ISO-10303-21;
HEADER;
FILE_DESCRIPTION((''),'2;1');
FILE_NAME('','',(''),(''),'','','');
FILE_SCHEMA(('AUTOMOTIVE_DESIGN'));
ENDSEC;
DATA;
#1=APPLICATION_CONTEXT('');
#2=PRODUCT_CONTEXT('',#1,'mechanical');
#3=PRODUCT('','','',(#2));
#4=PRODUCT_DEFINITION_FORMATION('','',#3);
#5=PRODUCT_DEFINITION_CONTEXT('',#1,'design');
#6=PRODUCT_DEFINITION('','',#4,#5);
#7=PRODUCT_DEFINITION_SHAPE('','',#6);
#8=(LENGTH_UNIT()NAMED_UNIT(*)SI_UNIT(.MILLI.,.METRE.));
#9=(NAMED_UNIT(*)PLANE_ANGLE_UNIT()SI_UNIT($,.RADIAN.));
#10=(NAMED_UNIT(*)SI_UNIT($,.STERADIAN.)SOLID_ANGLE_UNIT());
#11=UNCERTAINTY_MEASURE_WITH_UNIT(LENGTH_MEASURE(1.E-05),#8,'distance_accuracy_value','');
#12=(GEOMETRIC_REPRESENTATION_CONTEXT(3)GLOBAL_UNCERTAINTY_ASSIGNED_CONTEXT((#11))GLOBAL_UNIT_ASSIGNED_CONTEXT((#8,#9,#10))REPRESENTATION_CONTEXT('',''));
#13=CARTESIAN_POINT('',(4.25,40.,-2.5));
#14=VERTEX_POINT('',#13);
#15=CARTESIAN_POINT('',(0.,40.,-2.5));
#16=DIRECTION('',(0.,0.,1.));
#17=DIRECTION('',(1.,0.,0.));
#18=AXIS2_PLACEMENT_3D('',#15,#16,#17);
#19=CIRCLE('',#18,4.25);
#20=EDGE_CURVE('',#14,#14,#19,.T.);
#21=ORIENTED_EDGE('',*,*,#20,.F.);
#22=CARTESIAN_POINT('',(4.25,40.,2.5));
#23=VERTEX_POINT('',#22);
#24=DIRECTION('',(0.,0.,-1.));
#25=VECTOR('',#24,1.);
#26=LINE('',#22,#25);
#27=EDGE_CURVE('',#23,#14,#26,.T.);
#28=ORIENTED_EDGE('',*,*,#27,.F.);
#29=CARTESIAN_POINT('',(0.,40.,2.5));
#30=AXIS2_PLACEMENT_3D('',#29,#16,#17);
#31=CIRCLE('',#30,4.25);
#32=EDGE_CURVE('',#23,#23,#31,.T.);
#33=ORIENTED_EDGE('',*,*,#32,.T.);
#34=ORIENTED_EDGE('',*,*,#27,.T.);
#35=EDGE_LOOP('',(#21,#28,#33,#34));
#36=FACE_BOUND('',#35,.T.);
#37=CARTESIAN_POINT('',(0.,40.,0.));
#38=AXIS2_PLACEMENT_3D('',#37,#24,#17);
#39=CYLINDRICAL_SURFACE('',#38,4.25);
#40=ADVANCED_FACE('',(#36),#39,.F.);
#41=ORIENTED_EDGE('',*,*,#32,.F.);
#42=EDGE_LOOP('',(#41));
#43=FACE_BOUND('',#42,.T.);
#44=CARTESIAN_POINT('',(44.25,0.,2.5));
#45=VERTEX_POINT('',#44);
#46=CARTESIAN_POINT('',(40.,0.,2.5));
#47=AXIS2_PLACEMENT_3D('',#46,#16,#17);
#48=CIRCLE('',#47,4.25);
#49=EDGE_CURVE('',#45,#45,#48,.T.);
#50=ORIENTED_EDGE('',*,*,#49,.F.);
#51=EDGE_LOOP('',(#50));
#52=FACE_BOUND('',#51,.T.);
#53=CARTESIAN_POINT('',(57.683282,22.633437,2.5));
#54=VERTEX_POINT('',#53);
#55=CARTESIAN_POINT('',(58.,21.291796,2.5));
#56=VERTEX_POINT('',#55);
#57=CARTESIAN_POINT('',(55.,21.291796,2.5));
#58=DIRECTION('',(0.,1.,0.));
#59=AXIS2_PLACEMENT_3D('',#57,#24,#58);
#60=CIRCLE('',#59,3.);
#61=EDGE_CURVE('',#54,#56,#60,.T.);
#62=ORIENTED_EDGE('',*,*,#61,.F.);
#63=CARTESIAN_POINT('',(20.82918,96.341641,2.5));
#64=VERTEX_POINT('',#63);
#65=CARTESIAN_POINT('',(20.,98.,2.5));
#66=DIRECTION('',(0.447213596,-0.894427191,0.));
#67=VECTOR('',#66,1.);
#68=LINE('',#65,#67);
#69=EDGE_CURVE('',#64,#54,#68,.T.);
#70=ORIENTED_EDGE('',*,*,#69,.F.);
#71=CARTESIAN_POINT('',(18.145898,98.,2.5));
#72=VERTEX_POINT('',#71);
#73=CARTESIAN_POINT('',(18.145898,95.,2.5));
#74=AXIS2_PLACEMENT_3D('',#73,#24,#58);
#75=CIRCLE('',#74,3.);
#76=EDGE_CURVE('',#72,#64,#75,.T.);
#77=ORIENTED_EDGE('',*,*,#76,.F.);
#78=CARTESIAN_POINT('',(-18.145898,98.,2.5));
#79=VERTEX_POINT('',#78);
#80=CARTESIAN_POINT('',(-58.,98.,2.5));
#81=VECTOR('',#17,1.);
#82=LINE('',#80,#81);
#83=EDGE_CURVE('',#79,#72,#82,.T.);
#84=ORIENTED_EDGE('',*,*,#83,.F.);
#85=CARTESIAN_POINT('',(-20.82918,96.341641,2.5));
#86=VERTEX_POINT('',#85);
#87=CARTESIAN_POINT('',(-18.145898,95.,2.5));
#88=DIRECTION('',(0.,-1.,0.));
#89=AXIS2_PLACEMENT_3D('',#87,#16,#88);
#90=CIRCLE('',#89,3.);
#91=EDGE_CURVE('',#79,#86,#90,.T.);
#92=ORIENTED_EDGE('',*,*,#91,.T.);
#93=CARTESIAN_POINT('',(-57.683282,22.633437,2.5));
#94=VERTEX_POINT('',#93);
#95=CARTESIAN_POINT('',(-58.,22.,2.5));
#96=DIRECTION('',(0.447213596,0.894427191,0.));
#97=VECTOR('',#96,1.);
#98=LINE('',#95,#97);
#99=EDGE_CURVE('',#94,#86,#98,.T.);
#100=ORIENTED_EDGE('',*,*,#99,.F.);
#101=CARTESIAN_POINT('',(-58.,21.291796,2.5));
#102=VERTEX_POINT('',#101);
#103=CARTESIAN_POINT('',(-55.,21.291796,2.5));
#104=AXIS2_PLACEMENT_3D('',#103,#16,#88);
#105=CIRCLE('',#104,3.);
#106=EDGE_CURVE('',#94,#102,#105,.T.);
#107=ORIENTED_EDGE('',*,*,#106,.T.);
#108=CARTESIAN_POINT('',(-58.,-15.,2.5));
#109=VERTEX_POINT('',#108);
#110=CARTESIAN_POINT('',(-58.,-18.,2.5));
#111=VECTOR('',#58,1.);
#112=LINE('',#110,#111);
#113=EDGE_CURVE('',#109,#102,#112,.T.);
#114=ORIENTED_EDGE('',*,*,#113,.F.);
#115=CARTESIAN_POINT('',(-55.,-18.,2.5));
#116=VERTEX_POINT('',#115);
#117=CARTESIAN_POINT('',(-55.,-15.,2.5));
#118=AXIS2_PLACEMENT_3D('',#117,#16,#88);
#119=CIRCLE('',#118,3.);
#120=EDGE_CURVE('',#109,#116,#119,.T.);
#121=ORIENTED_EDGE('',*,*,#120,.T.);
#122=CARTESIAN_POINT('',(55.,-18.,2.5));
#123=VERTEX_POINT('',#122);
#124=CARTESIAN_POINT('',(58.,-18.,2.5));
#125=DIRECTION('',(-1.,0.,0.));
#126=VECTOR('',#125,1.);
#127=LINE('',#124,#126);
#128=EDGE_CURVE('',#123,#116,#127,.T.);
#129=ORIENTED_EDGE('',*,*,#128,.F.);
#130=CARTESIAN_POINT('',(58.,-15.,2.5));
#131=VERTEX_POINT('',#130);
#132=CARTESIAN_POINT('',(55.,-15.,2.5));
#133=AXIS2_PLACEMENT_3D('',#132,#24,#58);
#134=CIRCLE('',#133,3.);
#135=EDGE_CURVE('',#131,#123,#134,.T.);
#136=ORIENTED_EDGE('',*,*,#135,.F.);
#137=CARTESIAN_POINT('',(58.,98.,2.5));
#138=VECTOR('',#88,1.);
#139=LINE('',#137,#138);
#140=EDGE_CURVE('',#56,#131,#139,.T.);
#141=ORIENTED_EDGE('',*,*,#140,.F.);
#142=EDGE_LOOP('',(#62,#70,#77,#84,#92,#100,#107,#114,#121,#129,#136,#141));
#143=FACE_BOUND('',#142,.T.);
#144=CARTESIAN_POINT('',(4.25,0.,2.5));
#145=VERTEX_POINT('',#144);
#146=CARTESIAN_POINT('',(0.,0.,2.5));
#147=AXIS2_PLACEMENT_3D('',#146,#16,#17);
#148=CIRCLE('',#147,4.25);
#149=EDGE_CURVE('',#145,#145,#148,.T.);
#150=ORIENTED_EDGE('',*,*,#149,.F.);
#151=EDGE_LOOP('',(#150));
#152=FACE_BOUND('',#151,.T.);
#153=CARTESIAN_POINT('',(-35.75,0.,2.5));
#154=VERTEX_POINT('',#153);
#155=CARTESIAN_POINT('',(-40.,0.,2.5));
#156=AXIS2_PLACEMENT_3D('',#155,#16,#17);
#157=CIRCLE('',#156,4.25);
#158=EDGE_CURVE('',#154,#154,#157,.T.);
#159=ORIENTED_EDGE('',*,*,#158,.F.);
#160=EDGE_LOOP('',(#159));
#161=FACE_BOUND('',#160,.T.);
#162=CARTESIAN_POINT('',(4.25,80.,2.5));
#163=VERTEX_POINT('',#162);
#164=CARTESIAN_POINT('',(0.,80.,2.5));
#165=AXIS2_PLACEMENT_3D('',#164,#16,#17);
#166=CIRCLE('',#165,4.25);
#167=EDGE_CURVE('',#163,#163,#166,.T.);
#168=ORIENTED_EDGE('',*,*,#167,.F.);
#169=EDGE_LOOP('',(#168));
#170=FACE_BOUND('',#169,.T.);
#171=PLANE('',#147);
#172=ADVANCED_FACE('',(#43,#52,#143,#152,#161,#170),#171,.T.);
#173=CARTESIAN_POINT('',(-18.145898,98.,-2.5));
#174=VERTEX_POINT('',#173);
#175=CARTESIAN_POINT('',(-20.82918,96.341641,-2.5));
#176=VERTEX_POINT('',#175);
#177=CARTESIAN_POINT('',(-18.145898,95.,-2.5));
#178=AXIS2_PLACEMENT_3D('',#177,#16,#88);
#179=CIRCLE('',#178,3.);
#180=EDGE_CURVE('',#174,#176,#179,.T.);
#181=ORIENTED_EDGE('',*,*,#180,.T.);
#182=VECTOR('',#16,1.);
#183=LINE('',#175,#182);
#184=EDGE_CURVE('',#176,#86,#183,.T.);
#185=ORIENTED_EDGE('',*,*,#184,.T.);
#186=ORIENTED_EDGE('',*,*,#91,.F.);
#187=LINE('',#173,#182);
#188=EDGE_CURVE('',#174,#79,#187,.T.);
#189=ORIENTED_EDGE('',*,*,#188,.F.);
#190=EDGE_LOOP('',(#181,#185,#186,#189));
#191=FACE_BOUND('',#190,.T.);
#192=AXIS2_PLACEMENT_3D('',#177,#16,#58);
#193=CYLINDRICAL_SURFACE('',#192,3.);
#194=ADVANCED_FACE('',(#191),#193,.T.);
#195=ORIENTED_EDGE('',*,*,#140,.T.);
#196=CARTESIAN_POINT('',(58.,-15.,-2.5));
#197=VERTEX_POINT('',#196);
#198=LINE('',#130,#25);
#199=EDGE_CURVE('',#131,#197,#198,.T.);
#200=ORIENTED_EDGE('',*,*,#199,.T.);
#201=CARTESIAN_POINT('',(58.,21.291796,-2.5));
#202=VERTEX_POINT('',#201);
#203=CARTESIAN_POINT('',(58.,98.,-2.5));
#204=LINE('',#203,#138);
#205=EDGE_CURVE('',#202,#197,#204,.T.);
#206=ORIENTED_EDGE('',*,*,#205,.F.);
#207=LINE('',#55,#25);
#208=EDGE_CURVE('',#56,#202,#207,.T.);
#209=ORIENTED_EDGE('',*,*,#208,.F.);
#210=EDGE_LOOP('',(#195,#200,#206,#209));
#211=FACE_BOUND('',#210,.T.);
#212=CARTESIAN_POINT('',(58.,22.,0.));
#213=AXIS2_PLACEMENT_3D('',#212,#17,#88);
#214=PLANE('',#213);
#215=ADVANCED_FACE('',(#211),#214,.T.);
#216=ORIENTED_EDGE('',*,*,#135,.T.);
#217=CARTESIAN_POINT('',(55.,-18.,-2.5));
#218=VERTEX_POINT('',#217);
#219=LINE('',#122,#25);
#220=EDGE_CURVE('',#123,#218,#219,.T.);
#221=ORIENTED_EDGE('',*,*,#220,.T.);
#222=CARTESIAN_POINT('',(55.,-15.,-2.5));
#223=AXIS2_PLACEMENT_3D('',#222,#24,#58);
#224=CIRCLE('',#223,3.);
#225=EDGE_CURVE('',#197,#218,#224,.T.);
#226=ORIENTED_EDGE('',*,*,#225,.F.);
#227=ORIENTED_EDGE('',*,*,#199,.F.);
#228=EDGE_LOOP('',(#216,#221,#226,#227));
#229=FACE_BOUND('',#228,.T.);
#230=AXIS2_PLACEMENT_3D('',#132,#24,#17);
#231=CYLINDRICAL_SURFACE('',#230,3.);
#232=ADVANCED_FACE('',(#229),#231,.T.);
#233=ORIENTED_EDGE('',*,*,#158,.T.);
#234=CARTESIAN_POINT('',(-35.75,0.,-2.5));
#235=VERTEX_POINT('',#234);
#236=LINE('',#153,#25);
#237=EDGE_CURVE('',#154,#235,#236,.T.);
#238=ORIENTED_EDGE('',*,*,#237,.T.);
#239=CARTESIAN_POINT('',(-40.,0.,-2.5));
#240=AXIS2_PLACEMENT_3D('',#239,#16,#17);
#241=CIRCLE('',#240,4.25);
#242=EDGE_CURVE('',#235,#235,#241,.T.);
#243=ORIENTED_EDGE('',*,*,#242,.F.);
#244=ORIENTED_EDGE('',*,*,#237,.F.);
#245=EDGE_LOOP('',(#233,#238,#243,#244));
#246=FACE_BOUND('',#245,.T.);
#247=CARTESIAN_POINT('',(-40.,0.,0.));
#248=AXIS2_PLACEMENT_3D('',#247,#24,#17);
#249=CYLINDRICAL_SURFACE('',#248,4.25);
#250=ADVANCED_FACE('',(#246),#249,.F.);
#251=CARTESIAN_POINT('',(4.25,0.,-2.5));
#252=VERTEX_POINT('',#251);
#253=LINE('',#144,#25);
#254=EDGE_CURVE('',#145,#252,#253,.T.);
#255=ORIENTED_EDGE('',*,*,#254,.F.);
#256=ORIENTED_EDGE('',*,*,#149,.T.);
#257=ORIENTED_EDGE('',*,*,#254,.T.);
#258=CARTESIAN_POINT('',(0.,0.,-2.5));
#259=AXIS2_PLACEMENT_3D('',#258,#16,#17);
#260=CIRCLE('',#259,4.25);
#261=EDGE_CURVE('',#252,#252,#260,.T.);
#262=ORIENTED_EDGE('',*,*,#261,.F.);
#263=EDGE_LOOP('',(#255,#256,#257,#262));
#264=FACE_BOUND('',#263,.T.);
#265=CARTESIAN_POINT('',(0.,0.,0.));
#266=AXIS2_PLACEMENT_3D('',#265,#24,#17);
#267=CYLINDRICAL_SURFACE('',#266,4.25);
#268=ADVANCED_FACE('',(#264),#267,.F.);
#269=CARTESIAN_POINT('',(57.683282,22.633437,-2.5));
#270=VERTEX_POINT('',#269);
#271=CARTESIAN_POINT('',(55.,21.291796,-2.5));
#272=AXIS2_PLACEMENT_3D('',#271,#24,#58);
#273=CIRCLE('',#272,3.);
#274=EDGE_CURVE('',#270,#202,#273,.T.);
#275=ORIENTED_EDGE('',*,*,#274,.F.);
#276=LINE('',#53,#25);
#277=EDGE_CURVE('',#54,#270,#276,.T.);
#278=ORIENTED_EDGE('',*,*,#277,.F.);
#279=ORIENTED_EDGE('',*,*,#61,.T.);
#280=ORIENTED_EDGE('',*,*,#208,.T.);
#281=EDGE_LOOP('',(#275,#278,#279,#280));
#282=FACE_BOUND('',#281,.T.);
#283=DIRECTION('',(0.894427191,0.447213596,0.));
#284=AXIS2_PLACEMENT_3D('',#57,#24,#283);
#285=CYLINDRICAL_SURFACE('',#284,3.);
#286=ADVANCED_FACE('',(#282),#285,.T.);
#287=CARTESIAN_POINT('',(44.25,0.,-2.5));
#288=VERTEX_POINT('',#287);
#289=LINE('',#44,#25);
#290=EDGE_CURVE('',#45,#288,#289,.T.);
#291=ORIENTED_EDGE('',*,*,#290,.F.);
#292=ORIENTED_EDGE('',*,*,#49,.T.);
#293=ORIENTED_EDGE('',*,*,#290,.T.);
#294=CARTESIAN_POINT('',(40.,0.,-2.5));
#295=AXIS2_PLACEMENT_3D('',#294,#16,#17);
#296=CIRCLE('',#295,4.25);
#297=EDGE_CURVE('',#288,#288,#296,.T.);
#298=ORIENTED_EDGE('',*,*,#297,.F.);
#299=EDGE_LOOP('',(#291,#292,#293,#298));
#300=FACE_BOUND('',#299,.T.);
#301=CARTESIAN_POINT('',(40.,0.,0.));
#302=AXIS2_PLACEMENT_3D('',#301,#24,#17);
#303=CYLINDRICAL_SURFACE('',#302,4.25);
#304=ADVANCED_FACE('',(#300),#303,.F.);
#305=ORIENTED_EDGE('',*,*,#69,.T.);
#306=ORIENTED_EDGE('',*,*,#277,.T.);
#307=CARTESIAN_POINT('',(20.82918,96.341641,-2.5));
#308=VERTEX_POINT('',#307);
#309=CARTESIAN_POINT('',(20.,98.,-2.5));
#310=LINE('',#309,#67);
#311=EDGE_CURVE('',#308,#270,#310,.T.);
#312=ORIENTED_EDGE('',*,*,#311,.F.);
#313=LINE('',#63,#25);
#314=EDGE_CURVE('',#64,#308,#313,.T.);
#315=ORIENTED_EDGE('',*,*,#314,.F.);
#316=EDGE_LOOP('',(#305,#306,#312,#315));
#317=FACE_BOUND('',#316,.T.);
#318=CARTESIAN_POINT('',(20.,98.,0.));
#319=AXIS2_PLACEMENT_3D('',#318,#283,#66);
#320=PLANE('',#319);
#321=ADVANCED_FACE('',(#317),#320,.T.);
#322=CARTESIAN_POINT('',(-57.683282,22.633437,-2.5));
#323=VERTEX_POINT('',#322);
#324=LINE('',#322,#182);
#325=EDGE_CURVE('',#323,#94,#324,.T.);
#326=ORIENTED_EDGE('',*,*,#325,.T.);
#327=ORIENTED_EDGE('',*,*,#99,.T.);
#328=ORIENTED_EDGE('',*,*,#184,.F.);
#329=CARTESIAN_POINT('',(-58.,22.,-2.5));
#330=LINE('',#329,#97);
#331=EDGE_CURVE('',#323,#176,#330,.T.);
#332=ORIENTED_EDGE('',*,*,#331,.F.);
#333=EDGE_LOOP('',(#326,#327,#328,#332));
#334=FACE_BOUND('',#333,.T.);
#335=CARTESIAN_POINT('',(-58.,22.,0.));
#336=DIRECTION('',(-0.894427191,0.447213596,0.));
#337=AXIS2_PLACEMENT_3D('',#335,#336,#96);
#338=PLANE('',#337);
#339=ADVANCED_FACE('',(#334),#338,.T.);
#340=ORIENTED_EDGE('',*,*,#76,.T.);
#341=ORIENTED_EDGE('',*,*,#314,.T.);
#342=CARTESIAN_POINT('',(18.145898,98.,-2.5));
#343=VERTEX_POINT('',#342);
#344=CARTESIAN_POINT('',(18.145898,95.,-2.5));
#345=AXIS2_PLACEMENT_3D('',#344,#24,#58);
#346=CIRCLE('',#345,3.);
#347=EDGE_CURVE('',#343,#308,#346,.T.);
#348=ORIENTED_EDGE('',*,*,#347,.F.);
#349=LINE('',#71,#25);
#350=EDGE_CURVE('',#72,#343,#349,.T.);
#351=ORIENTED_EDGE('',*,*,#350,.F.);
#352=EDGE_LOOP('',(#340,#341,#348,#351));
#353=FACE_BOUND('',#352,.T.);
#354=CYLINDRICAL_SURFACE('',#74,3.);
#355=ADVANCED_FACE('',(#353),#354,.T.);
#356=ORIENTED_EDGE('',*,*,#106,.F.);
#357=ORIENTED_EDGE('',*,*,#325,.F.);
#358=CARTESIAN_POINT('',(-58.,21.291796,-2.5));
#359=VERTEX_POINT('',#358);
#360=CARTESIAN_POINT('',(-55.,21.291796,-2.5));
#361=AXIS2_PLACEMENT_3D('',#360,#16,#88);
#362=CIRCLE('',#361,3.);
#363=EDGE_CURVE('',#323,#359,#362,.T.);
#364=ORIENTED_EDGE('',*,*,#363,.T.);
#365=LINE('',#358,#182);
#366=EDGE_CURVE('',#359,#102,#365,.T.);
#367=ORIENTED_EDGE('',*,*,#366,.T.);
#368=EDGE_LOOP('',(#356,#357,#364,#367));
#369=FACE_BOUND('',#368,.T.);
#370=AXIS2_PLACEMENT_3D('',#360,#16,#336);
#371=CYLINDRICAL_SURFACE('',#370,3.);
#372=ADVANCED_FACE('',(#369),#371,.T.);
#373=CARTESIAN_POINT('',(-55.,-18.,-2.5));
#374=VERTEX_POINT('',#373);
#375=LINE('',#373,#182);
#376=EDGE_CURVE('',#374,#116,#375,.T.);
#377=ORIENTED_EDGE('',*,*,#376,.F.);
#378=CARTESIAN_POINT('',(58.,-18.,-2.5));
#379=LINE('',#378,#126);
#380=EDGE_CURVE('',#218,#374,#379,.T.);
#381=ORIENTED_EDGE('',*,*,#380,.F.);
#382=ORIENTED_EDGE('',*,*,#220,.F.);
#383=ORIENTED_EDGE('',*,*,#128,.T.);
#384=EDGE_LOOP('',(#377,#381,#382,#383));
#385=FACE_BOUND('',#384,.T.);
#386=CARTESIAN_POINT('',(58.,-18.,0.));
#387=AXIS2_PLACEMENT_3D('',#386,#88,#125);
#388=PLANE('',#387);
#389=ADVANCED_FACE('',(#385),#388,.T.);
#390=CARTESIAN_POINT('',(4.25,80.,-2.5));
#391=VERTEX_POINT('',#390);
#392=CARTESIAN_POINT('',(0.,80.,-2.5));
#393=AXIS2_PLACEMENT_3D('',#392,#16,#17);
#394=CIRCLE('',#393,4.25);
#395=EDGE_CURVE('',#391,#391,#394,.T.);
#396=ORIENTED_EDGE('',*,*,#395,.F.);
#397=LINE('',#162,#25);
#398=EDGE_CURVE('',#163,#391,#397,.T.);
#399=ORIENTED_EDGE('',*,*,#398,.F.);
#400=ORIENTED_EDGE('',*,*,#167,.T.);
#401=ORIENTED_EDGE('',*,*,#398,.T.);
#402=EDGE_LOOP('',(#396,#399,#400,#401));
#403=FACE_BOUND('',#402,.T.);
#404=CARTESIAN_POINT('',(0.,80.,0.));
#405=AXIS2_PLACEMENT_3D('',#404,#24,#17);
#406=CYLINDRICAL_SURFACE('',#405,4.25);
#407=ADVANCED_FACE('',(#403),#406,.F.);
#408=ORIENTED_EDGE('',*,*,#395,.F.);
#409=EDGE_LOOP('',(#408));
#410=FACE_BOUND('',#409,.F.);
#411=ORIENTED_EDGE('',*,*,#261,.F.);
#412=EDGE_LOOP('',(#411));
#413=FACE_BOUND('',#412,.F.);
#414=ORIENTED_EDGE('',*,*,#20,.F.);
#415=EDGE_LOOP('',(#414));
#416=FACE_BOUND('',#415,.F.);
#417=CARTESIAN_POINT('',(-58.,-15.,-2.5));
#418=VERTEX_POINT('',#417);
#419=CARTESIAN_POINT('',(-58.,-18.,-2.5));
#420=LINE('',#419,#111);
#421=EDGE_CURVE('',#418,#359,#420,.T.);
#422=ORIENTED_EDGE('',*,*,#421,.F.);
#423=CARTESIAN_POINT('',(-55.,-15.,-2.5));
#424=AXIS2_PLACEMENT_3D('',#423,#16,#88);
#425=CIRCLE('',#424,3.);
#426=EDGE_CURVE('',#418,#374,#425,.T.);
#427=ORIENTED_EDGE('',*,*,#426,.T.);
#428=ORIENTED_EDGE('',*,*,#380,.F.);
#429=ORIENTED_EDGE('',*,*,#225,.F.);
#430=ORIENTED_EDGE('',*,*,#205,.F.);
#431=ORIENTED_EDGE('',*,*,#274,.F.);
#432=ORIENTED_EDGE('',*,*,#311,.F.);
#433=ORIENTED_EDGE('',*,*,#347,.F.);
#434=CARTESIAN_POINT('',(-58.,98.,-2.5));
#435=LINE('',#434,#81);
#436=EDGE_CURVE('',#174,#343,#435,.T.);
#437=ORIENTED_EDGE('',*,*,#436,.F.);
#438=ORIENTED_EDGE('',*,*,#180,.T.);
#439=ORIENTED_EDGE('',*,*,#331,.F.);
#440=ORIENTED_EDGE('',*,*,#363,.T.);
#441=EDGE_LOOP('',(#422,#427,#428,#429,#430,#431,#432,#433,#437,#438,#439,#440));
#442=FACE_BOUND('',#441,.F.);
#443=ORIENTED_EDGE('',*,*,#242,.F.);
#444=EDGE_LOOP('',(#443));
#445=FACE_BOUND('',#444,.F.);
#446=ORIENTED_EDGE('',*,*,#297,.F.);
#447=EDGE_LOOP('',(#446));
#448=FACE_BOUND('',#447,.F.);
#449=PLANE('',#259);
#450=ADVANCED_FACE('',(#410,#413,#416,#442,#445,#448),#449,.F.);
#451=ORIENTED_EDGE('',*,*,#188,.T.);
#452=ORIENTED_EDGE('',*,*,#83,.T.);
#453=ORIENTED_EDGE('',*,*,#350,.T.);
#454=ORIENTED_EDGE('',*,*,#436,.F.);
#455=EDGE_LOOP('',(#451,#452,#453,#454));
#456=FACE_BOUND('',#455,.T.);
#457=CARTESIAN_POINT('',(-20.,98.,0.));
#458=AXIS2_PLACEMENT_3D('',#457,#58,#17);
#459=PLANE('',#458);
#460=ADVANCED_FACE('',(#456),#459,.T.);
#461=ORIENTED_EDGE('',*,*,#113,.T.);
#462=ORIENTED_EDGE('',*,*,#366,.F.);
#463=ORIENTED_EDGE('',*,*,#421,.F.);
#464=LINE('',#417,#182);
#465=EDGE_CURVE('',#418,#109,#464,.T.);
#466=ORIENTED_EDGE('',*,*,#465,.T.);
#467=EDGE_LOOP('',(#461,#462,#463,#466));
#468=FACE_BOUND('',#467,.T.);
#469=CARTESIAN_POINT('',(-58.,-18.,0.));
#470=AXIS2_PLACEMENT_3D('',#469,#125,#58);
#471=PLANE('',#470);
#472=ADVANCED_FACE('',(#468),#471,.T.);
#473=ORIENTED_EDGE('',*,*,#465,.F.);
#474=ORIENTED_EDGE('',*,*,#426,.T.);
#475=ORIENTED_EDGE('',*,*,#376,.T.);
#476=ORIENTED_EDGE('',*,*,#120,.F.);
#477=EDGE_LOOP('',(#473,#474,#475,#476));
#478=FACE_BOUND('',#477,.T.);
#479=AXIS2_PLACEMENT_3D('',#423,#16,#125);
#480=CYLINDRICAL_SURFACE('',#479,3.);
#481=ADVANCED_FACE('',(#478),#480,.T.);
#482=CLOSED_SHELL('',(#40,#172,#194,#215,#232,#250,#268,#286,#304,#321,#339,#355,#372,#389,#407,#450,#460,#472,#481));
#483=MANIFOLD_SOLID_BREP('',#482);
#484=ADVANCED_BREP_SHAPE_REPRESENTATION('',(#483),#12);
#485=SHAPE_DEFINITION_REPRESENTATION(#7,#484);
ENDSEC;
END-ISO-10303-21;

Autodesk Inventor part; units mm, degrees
ref_plane "YZ Plane" through (0, 0, 0) normal (1, 0, 0) x (0, 1, 0)
ref_plane "XZ Plane" through (0, 0, 0) normal (0, 1, 0) x (-1, 0, 0)
ref_plane "XY Plane" through (0, 0, 0) normal (0, 0, 1) x (1, 0, 0)
sketch "Sketch1" plane through (0, 0, 0) normal (0, 0, 1) x (1, 0, 0)
  circle A0 centre (0, 0) radius 4.25
  circle A1 centre (-40, 0) radius 4.25
  circle A2 centre (40, 0) radius 4.25
  circle A3 centre (0, 80) radius 4.25
  circle A4 centre (0, 40) radius 4.25
  line L0 (0, 0) -> (0, 80) construction
  line L1 (-40, 0) -> (40, 0) construction
  line L2 (-58, 98) -> (58, 98)
  line L3 (58, 98) -> (58, -18)
  line L4 (58, -18) -> (-58, -18)
  line L5 (-58, -18) -> (-58, 98)
  line L6 (-58, 98) -> (58, -18) construction
  line L7 (58, 98) -> (-58, -18) construction
  line L8 (-58, 22) -> (-20, 98)
  line L9 (20, 98) -> (58, 22)
  dimension "d0" = 8.5
  dimension "d1" = 8.5
  dimension "d2" = 8.5
  dimension "d3" = 8.5
  dimension "d4" = 8.5
  dimension "d5" = 80
  dimension "d6" = 80
  dimension "d7" = 116
  dimension "d8" = 116
  dimension "d9" = 40
  dimension "d10" = 40
  dimension "d11" = 40
extrude "Extrusion1" add sketch "Sketch1" along normal mid plane 5 contours L2 L9 L3 L4 L5 L8
fillet "Fillet1" radius 3 6 edges at (-58, -18, 0) (-58, 22, 0) (20, 98, 0) (-20, 98, 0) (58, 22, 0) (58, -18, 0)
equation "\"d1\" = d0"
equation "\"d2\" = d0"
equation "\"d3\" = d0"
equation "\"d4\" = d0"
properties part number "Connection_plate_T_120x120" material "Aluminum 6061"
